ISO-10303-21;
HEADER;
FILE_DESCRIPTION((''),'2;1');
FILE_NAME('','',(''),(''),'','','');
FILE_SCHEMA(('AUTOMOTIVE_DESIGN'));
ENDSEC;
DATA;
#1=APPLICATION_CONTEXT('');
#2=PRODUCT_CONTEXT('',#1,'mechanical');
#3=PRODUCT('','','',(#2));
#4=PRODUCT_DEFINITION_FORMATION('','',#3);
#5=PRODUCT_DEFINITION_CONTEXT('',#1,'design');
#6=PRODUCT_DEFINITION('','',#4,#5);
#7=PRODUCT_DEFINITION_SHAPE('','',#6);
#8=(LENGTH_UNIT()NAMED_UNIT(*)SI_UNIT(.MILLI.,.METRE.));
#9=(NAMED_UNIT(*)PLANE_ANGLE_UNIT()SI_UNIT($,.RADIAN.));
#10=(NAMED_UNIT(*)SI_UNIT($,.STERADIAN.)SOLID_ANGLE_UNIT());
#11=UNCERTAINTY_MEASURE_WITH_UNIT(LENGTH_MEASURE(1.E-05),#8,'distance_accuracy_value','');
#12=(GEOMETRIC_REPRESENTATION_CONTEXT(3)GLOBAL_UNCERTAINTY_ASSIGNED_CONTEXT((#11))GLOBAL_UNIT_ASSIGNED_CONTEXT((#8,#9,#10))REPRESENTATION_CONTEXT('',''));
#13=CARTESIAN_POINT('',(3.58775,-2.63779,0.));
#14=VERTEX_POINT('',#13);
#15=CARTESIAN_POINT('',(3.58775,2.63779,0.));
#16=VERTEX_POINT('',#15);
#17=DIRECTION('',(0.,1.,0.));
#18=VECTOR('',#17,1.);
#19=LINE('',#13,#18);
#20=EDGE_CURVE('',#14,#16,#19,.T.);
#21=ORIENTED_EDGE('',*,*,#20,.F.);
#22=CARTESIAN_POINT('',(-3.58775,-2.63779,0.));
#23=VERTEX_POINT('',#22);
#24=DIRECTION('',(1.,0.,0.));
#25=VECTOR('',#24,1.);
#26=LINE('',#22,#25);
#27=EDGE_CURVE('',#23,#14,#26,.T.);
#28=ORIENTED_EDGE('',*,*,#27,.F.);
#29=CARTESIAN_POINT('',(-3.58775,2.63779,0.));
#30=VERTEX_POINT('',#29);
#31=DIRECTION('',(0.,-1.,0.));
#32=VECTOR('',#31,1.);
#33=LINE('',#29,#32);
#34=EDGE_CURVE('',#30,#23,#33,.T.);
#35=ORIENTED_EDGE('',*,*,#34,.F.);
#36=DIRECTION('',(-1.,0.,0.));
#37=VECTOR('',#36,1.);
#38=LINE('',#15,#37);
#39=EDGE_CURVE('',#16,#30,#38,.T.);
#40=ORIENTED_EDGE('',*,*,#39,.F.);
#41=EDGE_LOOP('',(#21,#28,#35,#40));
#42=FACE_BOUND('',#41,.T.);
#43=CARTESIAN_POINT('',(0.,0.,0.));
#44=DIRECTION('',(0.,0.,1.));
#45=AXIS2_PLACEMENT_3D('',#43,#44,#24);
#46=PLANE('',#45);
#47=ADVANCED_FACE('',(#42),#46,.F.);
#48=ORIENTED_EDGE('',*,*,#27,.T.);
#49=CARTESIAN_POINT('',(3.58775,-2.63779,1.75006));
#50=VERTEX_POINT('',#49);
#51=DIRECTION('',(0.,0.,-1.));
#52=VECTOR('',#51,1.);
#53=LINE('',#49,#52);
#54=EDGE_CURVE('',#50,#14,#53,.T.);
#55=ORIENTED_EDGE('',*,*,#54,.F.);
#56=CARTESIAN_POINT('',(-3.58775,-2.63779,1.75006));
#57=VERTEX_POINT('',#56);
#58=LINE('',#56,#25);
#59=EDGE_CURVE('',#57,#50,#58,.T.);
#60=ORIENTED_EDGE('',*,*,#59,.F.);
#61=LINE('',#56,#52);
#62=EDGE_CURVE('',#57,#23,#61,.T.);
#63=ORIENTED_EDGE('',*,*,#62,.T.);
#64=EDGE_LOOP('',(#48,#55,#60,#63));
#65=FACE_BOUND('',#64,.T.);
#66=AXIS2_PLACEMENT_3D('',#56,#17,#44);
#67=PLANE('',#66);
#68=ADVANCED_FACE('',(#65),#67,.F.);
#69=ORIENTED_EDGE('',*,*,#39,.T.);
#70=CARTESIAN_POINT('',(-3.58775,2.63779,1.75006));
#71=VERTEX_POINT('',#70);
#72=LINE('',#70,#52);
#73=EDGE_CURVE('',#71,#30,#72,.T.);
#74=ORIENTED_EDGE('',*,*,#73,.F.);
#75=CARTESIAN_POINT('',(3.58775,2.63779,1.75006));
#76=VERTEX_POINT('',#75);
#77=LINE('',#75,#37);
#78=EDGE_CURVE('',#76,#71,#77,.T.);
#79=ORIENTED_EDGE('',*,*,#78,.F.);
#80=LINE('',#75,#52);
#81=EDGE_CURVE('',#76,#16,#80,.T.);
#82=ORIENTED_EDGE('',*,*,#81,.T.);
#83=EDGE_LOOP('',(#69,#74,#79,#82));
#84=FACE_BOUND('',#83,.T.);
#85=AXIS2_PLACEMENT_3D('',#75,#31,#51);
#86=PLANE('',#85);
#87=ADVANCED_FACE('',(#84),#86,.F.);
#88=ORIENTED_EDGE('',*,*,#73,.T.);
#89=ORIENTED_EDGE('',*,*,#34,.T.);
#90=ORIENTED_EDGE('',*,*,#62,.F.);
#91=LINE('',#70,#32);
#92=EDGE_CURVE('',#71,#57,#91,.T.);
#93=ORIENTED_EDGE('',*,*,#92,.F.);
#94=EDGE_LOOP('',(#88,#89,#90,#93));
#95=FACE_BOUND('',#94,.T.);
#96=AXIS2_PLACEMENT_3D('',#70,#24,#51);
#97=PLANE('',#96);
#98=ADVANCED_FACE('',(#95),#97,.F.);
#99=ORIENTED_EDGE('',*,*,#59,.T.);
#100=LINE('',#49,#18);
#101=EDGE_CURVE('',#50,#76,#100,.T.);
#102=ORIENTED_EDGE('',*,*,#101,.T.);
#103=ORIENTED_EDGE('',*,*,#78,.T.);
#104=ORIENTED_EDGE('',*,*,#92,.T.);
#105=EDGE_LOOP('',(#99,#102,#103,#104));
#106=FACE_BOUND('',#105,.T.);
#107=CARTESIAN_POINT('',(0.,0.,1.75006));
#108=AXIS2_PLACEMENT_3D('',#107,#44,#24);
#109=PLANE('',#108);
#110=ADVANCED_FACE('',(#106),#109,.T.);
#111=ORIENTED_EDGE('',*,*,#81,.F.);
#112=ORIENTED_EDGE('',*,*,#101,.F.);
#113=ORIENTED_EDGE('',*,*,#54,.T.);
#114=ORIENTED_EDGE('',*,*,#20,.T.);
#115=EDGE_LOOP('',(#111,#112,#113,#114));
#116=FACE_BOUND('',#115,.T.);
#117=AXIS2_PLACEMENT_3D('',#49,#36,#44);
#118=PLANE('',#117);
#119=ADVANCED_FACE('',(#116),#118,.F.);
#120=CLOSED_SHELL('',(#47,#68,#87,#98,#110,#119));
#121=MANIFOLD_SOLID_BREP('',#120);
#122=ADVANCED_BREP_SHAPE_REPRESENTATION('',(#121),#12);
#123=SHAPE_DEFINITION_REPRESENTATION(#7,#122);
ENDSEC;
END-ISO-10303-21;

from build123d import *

# Parameters (mm, degrees)
SKETCH1_W               = 7.1755
SKETCH1_H               = 5.27558
COMPONENT_OUTLINE_DEPTH = 1.75006


with BuildPart() as part:
    # Sketch1 → Component_Outline (new body)
    with BuildSketch(Plane.XY):
        Rectangle(SKETCH1_W, SKETCH1_H)
    extrude(amount=COMPONENT_OUTLINE_DEPTH)


solid = part.part
